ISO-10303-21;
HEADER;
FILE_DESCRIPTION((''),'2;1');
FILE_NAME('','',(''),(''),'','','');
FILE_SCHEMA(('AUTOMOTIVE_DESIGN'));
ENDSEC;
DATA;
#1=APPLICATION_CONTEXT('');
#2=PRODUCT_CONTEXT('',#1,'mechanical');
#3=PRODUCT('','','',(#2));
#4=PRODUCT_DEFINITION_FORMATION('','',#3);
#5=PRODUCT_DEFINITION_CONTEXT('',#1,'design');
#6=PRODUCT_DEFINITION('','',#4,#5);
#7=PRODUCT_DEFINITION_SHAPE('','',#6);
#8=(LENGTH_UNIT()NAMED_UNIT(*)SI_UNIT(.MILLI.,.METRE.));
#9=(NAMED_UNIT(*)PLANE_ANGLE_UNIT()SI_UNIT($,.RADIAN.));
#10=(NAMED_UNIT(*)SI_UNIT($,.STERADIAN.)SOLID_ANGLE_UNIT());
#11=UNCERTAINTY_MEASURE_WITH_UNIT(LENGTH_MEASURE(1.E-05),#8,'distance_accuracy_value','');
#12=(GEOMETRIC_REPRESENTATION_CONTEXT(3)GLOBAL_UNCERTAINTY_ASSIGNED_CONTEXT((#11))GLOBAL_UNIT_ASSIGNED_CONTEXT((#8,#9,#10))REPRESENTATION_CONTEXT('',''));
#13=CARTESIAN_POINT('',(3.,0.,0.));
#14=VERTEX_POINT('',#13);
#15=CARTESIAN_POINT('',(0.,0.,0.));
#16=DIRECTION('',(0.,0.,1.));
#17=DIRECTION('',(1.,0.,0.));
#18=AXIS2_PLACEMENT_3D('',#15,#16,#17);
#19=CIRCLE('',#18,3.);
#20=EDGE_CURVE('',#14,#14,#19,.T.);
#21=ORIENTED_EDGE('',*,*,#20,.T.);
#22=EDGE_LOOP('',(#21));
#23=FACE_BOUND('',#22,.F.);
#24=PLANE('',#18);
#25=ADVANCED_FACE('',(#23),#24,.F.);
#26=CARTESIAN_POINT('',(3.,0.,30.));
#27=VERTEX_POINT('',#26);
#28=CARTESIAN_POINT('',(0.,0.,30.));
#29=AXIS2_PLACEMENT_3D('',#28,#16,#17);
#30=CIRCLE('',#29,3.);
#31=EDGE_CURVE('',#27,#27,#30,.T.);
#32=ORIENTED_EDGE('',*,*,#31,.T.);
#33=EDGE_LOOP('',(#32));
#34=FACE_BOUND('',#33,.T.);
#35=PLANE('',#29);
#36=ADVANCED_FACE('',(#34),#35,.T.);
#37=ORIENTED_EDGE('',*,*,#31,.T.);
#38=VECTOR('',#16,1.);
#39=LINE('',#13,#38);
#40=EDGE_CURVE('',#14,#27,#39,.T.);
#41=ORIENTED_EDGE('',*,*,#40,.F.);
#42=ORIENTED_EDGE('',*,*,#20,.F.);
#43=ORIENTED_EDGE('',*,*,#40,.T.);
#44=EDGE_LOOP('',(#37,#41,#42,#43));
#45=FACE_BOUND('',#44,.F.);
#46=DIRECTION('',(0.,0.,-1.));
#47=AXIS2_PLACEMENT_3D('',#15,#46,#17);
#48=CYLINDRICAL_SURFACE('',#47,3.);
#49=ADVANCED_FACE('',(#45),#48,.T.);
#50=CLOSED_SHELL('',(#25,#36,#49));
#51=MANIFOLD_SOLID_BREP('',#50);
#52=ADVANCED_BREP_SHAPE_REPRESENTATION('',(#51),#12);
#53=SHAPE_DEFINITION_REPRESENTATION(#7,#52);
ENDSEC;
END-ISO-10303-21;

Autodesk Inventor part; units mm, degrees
ref_plane "YZ Plane" through (0, 0, 0) normal (1, 0, 0) x (0, 1, 0)
ref_plane "XZ Plane" through (0, 0, 0) normal (0, 1, 0) x (-1, 0, 0)
ref_plane "XY Plane" through (0, 0, 0) normal (0, 0, 1) x (1, 0, 0)
sketch "Skizze1" plane through (0, 0, 0) normal (0, 0, 1) x (1, 0, 0)
  circle A0 centre (0, 0) radius 3
  dimension "d0" = 6
extrude "Extrusion1" add sketch "Skizze1" along normal blind 30
properties part number "6mm Welle"
